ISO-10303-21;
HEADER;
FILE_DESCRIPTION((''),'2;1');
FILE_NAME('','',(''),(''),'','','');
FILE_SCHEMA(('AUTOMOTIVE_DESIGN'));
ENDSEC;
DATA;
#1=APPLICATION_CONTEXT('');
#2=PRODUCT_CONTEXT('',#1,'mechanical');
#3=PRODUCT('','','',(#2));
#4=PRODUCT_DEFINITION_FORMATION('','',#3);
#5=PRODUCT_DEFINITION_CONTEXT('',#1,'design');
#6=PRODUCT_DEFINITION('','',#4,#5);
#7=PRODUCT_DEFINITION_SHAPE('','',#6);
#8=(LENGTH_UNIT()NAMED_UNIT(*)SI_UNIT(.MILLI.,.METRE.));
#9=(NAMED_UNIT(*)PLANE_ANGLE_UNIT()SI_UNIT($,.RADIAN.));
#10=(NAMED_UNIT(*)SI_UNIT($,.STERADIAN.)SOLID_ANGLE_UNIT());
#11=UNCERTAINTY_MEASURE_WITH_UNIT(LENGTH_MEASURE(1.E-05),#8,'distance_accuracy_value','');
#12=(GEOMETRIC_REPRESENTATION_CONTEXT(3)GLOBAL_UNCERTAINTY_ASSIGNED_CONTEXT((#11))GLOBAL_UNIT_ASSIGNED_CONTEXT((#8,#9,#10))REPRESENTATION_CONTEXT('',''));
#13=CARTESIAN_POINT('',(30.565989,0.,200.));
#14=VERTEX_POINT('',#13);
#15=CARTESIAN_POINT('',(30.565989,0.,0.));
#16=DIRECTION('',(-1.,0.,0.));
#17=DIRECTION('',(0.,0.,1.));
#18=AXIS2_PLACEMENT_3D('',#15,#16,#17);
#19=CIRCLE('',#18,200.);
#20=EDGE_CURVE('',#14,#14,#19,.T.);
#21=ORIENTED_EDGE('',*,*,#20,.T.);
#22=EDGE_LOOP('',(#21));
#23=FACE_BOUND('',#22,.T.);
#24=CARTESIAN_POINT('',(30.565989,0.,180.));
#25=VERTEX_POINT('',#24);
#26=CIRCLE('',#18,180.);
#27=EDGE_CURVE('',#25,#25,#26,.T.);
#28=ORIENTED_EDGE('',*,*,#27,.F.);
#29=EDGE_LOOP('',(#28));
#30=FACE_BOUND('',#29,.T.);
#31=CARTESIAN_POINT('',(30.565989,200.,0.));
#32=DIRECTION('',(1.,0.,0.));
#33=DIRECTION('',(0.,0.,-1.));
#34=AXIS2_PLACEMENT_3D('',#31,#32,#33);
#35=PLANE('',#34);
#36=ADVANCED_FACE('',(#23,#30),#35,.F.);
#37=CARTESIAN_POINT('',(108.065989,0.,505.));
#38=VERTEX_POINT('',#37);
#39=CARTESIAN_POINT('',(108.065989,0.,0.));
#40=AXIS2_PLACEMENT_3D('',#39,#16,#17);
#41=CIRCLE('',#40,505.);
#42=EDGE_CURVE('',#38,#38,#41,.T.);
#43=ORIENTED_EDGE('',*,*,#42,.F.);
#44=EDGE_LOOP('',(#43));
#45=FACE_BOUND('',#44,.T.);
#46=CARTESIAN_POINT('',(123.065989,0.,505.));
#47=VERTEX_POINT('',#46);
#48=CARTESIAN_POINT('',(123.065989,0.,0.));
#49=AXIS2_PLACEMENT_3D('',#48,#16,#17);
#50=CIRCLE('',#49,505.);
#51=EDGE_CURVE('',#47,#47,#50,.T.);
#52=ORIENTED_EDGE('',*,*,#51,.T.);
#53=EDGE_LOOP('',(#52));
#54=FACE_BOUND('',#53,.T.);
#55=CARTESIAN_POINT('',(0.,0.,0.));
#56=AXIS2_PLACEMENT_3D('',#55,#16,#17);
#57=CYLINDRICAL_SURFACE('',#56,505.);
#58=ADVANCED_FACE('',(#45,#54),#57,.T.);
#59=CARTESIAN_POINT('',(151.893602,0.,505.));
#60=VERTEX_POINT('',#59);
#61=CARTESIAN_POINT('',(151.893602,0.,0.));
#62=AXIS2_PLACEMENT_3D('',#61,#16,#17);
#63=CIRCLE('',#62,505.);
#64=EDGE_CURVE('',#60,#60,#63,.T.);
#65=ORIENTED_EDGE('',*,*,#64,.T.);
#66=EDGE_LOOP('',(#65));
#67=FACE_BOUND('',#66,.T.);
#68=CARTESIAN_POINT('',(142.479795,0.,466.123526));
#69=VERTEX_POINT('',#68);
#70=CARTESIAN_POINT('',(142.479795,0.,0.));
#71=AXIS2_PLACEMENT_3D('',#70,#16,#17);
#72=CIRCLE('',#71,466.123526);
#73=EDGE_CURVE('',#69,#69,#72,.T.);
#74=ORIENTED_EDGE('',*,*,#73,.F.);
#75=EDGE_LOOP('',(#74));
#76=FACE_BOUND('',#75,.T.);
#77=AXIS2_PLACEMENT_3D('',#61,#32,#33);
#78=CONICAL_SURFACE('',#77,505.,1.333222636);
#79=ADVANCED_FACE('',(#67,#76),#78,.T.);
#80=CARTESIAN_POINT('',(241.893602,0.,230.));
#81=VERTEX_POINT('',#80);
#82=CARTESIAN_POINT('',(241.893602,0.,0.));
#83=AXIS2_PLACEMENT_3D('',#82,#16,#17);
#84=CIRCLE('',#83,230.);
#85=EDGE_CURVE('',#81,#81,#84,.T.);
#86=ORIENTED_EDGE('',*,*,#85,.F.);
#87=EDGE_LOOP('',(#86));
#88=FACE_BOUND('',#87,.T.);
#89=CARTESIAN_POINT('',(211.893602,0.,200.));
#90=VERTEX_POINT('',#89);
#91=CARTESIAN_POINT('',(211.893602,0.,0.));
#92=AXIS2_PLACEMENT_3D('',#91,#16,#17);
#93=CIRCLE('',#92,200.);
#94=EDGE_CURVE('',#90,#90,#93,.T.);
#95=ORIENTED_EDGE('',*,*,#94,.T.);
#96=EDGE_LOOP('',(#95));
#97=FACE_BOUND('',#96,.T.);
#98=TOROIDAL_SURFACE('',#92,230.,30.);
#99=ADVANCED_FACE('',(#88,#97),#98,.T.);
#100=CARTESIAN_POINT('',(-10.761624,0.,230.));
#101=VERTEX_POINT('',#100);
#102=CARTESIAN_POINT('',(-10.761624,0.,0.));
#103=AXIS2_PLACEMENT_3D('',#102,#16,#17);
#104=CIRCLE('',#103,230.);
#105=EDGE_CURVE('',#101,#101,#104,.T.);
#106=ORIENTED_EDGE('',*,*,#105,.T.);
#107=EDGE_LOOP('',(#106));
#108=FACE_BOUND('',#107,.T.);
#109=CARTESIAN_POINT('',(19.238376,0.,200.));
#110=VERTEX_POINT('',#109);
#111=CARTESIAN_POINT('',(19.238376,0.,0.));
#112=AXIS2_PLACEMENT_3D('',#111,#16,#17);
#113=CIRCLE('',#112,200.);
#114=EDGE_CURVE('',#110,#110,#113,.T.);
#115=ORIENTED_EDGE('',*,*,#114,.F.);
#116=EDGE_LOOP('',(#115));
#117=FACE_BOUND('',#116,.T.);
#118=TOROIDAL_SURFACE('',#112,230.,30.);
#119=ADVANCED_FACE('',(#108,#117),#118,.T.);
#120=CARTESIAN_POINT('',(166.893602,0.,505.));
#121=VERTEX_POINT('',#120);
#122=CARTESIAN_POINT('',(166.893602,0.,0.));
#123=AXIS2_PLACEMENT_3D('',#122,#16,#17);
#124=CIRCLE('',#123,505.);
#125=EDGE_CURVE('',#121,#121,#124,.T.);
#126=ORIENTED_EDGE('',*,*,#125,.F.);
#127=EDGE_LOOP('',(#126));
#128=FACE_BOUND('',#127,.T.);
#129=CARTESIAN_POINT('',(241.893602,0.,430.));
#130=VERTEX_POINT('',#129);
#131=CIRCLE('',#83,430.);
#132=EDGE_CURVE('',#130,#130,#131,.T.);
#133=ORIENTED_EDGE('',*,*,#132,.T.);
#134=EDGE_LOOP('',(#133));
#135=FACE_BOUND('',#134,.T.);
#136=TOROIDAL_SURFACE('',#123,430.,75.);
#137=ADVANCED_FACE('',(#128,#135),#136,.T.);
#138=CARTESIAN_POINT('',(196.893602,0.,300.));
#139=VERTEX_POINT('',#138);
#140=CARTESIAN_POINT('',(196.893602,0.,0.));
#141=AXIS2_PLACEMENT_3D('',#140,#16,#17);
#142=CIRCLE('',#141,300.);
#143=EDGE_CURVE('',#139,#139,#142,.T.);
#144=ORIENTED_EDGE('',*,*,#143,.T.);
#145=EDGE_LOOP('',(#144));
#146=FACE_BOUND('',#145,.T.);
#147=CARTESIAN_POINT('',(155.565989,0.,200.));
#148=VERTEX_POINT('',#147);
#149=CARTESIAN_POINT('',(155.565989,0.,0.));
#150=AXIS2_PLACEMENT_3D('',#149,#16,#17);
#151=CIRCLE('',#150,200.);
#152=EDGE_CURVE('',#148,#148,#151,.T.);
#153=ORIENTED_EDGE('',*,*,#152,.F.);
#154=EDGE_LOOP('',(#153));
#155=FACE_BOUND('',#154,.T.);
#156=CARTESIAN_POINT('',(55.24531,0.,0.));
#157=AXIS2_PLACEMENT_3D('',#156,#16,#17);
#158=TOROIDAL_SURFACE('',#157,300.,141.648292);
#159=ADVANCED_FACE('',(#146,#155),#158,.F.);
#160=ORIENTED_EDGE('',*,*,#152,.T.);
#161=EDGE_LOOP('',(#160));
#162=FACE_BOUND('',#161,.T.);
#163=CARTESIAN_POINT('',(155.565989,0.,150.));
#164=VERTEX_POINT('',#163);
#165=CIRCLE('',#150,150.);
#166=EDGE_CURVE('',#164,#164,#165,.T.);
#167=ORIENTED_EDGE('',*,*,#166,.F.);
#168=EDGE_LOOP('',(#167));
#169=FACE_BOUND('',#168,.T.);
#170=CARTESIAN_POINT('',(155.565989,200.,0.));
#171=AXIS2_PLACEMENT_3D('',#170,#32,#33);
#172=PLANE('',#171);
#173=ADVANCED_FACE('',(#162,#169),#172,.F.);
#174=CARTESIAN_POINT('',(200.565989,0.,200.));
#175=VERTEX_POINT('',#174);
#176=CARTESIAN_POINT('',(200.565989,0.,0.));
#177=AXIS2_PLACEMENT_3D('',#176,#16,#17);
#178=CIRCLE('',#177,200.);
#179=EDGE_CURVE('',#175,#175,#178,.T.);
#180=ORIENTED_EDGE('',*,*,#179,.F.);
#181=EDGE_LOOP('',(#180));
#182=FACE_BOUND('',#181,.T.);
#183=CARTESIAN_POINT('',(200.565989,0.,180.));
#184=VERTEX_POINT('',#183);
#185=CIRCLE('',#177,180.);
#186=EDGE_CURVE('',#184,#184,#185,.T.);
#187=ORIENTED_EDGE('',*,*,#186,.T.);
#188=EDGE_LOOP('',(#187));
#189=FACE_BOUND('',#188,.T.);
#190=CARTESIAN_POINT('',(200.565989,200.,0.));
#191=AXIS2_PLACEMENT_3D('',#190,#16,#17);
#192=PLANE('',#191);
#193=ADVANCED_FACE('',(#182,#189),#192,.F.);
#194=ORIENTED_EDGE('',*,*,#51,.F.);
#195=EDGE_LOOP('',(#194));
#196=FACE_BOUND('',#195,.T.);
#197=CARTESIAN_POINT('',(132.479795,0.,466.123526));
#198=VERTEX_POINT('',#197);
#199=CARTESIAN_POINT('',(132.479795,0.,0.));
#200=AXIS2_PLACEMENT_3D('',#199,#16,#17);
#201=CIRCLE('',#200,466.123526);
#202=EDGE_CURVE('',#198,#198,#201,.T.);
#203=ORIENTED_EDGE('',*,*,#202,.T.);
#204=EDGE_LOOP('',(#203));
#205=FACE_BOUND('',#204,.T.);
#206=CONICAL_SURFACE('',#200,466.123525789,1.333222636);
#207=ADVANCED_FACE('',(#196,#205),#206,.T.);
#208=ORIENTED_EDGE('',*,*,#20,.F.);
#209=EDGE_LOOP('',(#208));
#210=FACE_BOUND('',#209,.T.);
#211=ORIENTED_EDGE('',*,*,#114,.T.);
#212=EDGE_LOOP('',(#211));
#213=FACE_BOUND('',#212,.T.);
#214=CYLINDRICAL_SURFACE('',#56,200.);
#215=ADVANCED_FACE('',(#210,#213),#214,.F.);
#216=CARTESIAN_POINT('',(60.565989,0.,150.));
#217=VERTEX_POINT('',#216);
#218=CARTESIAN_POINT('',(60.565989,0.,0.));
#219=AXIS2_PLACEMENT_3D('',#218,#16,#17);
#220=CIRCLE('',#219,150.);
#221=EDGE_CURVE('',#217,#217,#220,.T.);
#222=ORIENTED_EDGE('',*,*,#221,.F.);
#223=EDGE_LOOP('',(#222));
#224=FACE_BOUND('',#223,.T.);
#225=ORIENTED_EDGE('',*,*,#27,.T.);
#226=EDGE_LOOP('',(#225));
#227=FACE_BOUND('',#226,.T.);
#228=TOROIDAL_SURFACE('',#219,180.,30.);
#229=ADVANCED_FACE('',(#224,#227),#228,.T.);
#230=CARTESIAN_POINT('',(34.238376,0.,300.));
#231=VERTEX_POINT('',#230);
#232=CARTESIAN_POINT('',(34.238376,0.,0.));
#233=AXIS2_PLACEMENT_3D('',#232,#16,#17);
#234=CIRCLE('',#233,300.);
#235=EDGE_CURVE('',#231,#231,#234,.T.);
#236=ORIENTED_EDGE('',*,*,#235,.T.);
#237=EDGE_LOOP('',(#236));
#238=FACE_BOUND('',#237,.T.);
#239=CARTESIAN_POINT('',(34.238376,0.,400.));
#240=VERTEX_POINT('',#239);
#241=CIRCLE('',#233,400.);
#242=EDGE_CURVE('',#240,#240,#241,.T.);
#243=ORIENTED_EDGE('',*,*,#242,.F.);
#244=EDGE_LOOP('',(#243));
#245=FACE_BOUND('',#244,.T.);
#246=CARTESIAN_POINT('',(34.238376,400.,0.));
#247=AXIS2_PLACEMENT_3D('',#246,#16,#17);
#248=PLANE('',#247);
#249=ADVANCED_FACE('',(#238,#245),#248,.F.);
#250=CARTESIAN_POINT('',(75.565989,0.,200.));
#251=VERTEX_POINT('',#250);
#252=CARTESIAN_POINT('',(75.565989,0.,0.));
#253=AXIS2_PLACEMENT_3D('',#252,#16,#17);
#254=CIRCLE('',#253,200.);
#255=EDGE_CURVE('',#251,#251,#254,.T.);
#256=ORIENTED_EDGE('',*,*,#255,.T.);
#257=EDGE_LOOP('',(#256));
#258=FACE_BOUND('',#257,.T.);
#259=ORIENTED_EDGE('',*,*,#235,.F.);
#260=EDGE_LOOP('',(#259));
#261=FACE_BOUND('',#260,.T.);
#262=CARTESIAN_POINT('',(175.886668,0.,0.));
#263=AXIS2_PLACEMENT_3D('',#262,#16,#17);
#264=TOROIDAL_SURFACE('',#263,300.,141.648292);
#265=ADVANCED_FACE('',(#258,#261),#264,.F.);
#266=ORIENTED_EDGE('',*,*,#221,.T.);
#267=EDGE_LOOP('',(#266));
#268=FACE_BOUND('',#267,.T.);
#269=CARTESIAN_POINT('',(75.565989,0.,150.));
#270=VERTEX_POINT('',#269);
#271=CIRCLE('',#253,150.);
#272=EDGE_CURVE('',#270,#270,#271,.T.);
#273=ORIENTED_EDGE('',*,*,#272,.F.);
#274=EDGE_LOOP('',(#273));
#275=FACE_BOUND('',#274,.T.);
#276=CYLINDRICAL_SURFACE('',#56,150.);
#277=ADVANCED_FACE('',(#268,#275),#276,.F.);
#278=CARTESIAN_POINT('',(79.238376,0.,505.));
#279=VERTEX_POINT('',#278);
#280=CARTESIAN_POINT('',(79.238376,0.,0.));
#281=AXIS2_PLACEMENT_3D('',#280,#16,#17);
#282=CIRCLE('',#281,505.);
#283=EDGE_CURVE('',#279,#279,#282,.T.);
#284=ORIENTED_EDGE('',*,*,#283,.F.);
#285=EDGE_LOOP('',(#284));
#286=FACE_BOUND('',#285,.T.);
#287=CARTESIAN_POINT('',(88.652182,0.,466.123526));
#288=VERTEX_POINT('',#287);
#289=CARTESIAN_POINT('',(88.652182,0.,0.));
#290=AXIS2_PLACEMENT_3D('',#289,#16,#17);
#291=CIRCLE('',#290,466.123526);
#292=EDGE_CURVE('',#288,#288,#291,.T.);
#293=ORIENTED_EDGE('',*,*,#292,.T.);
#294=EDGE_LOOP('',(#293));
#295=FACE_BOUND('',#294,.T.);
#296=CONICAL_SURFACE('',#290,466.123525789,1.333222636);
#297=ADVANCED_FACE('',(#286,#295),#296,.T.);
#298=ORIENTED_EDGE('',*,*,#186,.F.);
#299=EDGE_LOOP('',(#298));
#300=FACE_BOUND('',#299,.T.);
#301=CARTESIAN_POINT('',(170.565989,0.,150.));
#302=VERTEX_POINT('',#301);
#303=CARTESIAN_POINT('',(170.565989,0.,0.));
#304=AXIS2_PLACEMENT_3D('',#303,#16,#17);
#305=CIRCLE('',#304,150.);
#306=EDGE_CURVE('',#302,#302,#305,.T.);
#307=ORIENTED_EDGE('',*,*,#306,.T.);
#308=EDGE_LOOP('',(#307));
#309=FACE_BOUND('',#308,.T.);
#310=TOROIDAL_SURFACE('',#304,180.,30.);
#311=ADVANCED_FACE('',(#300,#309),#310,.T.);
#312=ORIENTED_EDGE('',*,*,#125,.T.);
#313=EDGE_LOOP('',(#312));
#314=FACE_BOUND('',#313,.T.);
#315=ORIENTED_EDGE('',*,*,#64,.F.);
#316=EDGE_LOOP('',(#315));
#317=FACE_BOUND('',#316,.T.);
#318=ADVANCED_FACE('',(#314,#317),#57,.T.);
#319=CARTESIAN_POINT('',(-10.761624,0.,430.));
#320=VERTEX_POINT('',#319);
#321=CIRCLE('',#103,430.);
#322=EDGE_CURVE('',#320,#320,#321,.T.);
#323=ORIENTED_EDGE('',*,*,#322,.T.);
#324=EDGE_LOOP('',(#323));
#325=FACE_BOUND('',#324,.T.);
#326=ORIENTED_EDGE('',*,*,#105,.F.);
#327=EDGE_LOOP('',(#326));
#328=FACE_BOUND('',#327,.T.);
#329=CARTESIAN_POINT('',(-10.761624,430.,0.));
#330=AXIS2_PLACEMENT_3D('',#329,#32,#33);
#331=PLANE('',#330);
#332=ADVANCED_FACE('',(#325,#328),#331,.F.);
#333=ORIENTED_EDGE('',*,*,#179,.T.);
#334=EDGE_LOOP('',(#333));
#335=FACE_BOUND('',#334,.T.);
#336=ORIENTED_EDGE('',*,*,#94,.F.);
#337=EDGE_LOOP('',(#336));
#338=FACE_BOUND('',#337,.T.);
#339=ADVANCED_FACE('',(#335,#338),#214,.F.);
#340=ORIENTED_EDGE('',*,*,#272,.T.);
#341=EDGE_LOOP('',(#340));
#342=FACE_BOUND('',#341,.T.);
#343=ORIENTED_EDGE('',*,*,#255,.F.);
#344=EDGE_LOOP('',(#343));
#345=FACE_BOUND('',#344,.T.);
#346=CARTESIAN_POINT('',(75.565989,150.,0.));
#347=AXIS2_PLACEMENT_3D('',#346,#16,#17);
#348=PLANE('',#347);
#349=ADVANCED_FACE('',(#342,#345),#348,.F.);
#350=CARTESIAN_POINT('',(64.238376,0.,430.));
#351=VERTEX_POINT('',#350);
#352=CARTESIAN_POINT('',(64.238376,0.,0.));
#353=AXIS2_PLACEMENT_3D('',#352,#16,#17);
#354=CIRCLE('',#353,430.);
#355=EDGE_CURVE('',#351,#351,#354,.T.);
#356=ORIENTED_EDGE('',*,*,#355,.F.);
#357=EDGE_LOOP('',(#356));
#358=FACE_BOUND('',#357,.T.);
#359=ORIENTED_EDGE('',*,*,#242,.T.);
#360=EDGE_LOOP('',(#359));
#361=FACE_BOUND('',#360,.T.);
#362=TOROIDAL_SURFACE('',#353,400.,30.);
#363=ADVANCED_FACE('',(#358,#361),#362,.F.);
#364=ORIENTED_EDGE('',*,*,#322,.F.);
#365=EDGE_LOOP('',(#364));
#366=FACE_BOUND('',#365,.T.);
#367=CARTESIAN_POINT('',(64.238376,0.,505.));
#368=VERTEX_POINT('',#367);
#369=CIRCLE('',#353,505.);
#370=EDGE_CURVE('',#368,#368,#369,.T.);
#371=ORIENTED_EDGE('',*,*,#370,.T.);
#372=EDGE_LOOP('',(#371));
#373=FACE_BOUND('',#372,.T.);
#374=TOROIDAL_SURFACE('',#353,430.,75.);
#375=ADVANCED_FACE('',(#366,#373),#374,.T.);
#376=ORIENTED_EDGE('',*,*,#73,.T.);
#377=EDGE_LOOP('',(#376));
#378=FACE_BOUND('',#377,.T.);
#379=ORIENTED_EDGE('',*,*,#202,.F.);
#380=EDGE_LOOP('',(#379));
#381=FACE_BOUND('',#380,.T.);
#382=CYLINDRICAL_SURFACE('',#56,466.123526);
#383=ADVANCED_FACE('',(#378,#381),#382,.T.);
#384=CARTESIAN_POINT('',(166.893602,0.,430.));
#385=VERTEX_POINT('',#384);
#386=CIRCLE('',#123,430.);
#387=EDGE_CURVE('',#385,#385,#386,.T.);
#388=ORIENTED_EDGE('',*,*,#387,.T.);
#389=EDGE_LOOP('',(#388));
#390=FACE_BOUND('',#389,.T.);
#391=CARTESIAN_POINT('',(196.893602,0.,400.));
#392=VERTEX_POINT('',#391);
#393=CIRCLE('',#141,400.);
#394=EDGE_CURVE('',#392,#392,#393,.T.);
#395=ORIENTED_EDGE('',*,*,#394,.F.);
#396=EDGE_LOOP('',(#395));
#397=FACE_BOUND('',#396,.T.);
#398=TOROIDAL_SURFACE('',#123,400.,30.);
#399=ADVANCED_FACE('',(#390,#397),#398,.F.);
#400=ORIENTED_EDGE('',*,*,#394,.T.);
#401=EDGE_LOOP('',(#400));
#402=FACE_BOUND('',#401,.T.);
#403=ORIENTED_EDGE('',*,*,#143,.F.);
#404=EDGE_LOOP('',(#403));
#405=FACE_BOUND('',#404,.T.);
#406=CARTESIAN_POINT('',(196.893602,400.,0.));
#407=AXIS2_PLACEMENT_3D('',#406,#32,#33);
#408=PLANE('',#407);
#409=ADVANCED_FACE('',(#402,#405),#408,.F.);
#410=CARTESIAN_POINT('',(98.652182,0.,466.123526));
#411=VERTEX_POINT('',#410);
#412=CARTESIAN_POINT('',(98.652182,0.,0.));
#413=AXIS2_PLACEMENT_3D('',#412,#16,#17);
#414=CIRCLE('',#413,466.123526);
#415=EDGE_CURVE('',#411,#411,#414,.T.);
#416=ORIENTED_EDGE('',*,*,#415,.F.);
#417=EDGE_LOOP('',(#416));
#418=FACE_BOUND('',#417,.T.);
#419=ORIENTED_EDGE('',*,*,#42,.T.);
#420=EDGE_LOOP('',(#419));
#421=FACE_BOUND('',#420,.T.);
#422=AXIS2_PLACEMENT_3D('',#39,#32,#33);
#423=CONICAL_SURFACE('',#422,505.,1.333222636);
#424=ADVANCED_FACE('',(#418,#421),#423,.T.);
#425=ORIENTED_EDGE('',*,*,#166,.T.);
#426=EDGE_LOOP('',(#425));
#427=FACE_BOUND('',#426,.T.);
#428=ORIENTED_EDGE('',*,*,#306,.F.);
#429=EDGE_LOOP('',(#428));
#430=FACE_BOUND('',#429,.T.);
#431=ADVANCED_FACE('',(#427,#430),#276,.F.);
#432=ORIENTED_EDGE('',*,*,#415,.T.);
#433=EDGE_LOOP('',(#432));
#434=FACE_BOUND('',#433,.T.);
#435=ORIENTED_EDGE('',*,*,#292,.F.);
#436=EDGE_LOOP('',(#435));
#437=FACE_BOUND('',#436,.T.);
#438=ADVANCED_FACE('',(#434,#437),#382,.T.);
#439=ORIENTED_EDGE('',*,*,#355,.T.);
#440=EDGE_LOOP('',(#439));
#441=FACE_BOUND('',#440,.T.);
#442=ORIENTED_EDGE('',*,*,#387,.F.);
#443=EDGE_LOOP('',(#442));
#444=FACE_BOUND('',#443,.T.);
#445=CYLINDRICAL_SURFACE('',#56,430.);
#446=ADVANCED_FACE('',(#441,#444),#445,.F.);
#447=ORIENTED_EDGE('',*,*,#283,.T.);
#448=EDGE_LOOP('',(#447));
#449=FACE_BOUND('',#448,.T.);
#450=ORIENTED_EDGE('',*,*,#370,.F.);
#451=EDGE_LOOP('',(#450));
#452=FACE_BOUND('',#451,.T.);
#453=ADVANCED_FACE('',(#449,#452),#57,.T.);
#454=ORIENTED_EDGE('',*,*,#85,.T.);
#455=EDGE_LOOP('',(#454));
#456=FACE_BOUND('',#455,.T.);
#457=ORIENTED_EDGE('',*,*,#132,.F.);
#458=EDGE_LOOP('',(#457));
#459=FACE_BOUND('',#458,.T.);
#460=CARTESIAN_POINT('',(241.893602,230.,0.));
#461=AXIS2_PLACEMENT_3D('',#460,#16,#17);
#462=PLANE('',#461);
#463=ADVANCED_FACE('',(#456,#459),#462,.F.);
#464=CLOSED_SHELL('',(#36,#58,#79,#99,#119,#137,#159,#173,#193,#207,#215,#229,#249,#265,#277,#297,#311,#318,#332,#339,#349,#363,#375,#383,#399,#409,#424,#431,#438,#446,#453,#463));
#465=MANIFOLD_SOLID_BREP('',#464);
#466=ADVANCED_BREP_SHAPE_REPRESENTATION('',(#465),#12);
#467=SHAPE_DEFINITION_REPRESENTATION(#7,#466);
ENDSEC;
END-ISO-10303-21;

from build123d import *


with BuildPart() as part:
    # Esquisse1 → Révolution1 (revolve)
    with BuildSketch(Plane.XY, mode=Mode.PRIVATE) as r_volution1_sk:
        with BuildLine():
            Line((241.893601797, 300), (241.893601797, 430))
            ThreePointArc((241.893601797, 430), (219.926610386, 483.033008589), (166.893601797, 505))
            Line((166.893601797, 505), (151.893601797, 505))
            Line((151.893601797, 505), (142.479795291, 466.123525789))
            Line((142.479795291, 466.123525789), (132.479795291, 466.123525789))
            Line((132.479795291, 466.123525789), (123.065988785, 505))
            Line((123.065988785, 505), (108.065988785, 505))
            Line((108.065988785, 505), (98.65218228, 466.123525789))
            Line((98.65218228, 466.123525789), (88.65218228, 466.123525789))
            Line((88.65218228, 466.123525789), (79.238375774, 505))
            Line((79.238375774, 505), (64.238375774, 505))
            ThreePointArc((64.238375774, 505), (11.205367185, 483.033008589), (-10.761624226, 430))
            Line((-10.761624226, 430), (-10.761624226, 300))
            Line((-10.761624226, 300), (-10.761624226, 230))
            ThreePointArc((-10.761624226, 230), (-1.974827662, 208.786796564), (19.238375774, 200))
            Line((19.238375774, 200), (30.565988785, 200))
            Line((30.565988785, 200), (30.565988785, 180))
            ThreePointArc((30.565988785, 180), (39.35278535, 158.786796564), (60.565988785, 150))
            Line((60.565988785, 150), (75.565988785, 150))
            Line((75.565988785, 150), (75.565988785, 200))
            ThreePointArc((75.565988785, 200), (44.977364327, 245.898309645), (34.238375774, 300))
            Line((34.238375774, 300), (34.238375774, 400))
            ThreePointArc((34.238375774, 400), (43.025172338, 421.213203436), (64.238375774, 430))
            Line((64.238375774, 430), (166.893601797, 430))
            ThreePointArc((166.893601797, 430), (188.106805232, 421.213203436), (196.893601797, 400))
            Line((196.893601797, 400), (196.893601797, 300))
            ThreePointArc((196.893601797, 300), (186.154613243, 245.898309645), (155.565988785, 200))
            Line((155.565988785, 200), (155.565988785, 150))
            Line((155.565988785, 150), (170.565988785, 150))
            ThreePointArc((170.565988785, 150), (191.779192221, 158.786796564), (200.565988785, 180))
            Line((200.565988785, 180), (200.565988785, 200))
            Line((200.565988785, 200), (211.893601797, 200))
            ThreePointArc((211.893601797, 200), (233.106805232, 208.786796564), (241.893601797, 230))
            Line((241.893601797, 230), (241.893601797, 300))
        make_face()
    revolve(r_volution1_sk.sketch.rotate(Axis((0, 0, 0), (1, 0, 0)), 90), axis=Axis((0, 0, 0), (1, 0, 0)))


solid = part.part
